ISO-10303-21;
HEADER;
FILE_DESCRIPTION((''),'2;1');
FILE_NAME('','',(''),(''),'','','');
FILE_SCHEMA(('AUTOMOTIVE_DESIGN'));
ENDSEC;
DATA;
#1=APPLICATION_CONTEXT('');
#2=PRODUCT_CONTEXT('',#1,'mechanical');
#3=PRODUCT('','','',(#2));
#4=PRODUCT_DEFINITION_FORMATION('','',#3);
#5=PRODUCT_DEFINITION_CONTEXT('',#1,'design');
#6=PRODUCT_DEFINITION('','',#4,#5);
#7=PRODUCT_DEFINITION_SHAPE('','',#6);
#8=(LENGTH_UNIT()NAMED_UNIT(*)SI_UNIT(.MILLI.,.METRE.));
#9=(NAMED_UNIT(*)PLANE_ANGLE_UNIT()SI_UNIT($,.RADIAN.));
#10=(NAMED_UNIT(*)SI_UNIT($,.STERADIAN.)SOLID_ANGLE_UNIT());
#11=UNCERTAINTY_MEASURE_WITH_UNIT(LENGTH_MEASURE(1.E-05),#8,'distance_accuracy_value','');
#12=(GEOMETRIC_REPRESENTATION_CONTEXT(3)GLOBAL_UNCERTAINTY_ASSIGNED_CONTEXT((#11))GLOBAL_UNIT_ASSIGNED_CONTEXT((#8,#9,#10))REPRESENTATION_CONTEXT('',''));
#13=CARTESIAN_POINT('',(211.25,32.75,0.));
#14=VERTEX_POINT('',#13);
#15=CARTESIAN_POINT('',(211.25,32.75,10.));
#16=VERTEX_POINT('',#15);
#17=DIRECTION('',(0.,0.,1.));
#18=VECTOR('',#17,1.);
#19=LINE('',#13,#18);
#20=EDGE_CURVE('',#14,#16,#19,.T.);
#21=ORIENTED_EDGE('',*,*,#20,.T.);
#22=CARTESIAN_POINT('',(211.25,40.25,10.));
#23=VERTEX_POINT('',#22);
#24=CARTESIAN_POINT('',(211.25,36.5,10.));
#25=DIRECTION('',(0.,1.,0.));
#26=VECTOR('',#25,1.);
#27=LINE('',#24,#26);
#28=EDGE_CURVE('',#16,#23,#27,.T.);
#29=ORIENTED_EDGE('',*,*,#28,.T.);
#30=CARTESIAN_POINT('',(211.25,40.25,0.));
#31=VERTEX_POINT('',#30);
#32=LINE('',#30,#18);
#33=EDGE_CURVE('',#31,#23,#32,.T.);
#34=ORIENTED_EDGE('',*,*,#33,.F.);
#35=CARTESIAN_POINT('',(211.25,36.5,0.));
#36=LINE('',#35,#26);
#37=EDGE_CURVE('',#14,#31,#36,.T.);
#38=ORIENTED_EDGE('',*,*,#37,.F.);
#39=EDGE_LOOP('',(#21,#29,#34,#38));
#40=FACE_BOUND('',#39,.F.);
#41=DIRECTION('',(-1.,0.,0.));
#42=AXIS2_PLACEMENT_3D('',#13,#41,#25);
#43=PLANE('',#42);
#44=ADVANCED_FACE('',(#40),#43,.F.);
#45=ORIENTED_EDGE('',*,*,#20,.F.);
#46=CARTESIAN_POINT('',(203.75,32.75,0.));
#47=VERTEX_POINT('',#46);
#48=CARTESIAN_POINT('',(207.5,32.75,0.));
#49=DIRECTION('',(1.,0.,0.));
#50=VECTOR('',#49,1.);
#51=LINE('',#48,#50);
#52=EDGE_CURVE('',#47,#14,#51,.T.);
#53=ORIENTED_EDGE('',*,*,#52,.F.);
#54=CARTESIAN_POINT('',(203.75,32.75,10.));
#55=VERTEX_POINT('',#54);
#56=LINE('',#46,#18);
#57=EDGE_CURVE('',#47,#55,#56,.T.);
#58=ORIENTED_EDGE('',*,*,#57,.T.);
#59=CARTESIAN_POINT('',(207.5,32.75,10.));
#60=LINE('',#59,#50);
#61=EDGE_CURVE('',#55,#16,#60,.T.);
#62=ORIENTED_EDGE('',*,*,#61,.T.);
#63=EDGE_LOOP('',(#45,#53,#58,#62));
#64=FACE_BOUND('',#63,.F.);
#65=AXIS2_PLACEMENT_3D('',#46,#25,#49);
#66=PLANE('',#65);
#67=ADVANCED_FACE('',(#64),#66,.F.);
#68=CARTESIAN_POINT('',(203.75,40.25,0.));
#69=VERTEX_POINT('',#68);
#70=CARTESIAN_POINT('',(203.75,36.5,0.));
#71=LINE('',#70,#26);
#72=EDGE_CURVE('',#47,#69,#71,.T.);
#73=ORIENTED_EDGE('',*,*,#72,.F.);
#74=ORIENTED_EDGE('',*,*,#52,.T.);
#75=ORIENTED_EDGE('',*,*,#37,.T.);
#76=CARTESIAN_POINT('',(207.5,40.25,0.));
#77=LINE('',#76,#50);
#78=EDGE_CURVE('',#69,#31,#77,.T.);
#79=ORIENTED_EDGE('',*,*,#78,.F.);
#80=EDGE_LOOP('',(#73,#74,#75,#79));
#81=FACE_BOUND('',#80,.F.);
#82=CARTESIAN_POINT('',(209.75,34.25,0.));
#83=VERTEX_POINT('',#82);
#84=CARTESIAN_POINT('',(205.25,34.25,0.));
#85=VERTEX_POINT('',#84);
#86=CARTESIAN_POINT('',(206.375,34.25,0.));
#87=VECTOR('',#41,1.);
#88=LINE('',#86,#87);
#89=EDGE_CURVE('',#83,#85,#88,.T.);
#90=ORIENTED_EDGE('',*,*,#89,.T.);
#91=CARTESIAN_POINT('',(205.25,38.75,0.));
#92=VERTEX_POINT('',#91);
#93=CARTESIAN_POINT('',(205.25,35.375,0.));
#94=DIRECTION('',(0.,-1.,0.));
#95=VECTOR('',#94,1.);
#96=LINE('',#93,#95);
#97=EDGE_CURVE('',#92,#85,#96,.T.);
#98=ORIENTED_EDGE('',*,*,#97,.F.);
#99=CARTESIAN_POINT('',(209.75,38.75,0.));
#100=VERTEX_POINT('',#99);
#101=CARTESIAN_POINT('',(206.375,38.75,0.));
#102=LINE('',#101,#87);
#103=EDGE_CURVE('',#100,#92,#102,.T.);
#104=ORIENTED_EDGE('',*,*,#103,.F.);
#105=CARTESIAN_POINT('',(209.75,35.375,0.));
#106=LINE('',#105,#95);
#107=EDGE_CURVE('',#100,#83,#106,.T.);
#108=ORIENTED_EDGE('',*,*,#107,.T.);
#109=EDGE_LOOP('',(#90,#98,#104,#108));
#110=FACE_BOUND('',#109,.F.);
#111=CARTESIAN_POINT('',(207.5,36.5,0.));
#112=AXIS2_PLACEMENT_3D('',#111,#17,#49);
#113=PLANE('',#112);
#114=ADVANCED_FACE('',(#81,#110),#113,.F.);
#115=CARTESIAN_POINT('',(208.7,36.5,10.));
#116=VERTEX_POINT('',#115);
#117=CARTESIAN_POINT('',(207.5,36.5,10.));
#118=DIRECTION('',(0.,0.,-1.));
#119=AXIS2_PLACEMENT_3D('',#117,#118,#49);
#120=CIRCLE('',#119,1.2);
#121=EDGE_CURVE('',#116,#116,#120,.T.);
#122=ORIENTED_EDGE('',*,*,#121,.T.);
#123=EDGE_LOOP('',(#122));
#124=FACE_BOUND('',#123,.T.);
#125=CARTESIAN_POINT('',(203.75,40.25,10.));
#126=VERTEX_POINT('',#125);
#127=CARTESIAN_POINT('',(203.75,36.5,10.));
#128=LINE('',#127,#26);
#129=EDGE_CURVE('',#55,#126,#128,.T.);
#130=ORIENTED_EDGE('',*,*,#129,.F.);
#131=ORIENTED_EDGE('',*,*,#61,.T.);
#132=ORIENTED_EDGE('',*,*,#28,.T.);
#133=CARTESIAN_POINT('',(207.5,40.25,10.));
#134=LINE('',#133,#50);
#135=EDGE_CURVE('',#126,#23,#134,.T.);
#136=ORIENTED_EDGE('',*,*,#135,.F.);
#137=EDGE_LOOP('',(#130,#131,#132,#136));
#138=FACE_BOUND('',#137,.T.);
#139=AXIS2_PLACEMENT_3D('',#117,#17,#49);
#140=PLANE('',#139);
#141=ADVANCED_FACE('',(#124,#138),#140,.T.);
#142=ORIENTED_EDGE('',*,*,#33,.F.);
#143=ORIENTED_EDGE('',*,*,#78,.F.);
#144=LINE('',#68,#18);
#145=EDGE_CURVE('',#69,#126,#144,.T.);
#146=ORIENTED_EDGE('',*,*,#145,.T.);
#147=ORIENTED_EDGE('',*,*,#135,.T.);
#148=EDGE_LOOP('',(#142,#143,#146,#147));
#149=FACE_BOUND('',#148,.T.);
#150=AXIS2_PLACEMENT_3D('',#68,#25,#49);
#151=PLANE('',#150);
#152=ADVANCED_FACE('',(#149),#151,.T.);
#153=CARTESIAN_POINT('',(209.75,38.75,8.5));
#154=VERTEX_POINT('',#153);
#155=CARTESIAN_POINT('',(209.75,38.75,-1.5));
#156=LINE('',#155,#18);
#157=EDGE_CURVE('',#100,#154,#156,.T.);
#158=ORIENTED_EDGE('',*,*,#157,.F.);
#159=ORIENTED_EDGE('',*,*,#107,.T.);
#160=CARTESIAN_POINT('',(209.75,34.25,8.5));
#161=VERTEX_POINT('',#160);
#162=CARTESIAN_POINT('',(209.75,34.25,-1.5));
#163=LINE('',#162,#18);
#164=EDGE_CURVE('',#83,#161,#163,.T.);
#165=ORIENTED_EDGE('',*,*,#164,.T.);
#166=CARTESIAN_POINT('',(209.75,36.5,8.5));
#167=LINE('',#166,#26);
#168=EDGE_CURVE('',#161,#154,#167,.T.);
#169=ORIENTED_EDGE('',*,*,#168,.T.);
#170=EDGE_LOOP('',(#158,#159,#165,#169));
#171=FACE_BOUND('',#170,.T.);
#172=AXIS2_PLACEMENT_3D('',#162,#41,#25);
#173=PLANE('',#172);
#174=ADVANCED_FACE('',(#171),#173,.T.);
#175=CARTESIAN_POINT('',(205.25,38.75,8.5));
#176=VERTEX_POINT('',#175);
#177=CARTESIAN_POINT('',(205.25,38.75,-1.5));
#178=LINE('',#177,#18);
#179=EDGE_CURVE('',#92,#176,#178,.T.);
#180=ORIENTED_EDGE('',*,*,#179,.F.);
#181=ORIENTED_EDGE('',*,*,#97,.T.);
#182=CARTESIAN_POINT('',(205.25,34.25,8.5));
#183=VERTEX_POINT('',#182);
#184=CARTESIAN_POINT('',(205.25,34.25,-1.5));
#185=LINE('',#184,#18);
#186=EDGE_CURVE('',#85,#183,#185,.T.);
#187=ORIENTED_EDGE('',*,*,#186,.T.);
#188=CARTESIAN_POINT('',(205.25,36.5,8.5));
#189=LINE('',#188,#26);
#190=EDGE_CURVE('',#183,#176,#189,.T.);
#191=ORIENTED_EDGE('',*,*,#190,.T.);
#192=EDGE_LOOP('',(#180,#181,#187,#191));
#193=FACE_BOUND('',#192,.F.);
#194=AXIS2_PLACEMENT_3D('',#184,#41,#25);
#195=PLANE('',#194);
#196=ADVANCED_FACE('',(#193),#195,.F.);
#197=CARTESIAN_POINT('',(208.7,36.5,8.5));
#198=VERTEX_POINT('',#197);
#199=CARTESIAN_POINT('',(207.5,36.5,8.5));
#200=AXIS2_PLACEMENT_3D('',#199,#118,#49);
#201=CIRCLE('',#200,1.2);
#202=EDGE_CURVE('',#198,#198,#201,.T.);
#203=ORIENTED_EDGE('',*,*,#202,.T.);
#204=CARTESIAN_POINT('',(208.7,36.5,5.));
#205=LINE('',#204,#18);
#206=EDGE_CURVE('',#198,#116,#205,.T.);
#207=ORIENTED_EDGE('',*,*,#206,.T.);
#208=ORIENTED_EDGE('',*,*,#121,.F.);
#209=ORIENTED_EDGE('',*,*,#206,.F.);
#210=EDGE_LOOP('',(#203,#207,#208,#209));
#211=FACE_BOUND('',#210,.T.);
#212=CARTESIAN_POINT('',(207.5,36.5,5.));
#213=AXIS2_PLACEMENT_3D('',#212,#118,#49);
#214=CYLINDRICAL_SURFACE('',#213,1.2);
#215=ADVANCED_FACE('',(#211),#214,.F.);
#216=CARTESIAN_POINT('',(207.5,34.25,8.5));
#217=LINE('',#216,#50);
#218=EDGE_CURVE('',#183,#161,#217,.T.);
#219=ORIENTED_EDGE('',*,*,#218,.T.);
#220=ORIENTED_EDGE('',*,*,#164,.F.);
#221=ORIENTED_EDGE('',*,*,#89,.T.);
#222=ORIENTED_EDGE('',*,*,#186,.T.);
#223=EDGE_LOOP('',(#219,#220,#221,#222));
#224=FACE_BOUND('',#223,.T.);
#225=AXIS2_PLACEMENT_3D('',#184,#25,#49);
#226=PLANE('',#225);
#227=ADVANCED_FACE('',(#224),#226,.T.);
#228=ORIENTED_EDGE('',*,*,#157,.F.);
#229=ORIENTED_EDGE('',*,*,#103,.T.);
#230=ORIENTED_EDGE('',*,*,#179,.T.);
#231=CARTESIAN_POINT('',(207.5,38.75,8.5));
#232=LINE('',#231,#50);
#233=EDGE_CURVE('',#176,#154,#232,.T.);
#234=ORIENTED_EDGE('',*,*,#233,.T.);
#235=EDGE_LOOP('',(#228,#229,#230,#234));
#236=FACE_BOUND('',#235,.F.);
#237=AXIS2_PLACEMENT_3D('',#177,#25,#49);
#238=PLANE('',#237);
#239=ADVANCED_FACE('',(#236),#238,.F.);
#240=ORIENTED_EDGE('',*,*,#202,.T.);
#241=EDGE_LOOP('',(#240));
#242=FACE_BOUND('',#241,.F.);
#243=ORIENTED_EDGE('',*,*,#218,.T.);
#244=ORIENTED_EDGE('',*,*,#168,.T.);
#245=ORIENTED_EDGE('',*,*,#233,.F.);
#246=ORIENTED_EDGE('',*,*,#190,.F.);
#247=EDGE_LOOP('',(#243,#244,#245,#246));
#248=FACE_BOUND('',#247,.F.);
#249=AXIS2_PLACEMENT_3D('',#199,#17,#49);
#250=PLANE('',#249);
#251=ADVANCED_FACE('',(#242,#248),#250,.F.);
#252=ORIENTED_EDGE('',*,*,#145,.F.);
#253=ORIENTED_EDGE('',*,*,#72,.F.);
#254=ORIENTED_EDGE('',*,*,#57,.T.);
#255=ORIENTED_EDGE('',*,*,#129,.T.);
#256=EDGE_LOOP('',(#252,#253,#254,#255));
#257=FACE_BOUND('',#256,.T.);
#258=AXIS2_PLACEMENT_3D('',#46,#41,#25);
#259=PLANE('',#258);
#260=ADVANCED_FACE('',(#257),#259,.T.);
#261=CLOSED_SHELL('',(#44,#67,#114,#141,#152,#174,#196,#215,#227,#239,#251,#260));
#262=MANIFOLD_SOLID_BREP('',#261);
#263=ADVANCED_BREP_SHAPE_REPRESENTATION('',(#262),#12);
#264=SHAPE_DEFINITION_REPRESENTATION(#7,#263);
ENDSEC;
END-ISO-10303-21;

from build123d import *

# Parameters (mm, degrees)
CYLINDER111_R     = 1.2
CYLINDER111_DEPTH = 10
BOX065_W          = 4.5
BOX065_H          = 4.5
BOX065_DEPTH      = 10
BOX064_W          = 7.5
BOX064_H          = 7.5
BOX064_DEPTH      = 10


with BuildPart() as cylinder111:
    # Cylinder111 → Cylinder111 (new body)
    with BuildSketch(Plane(origin=(7.5, 16.5, 105), x_dir=(1, 0, 0), z_dir=(0, 0, 1))):
        Circle(CYLINDER111_R)
    extrude(amount=CYLINDER111_DEPTH)


with BuildPart() as cube063:
    # Box065 → Box065 (new body)
    with BuildSketch(Plane(origin=(5.25, 14.25, 98.5), x_dir=(1, 0, 0), z_dir=(0, 0, 1))):
        with Locations((2.25, 2.25)):
            Rectangle(BOX065_W, BOX065_H)
    extrude(amount=BOX065_DEPTH)


with BuildPart() as pcbmount:
    # Box064 → Box064 (new body)
    with BuildSketch(Plane(origin=(3.75, 12.75, 100), x_dir=(1, 0, 0), z_dir=(0, 0, 1))):
        with Locations((3.75, 3.75)):
            Rectangle(BOX064_W, BOX064_H)
    extrude(amount=BOX064_DEPTH)

    # Cut080: cut Cube063
    add(cube063.part, mode=Mode.SUBTRACT)

    # Cut081: cut Cylinder111
    add(cylinder111.part, mode=Mode.SUBTRACT)


with BuildPart() as pcbmount_1:
    # Cut081 placement: moved
    add(pcbmount.part.moved(Location((200, 20, -100))))


solid = pcbmount_1.part
